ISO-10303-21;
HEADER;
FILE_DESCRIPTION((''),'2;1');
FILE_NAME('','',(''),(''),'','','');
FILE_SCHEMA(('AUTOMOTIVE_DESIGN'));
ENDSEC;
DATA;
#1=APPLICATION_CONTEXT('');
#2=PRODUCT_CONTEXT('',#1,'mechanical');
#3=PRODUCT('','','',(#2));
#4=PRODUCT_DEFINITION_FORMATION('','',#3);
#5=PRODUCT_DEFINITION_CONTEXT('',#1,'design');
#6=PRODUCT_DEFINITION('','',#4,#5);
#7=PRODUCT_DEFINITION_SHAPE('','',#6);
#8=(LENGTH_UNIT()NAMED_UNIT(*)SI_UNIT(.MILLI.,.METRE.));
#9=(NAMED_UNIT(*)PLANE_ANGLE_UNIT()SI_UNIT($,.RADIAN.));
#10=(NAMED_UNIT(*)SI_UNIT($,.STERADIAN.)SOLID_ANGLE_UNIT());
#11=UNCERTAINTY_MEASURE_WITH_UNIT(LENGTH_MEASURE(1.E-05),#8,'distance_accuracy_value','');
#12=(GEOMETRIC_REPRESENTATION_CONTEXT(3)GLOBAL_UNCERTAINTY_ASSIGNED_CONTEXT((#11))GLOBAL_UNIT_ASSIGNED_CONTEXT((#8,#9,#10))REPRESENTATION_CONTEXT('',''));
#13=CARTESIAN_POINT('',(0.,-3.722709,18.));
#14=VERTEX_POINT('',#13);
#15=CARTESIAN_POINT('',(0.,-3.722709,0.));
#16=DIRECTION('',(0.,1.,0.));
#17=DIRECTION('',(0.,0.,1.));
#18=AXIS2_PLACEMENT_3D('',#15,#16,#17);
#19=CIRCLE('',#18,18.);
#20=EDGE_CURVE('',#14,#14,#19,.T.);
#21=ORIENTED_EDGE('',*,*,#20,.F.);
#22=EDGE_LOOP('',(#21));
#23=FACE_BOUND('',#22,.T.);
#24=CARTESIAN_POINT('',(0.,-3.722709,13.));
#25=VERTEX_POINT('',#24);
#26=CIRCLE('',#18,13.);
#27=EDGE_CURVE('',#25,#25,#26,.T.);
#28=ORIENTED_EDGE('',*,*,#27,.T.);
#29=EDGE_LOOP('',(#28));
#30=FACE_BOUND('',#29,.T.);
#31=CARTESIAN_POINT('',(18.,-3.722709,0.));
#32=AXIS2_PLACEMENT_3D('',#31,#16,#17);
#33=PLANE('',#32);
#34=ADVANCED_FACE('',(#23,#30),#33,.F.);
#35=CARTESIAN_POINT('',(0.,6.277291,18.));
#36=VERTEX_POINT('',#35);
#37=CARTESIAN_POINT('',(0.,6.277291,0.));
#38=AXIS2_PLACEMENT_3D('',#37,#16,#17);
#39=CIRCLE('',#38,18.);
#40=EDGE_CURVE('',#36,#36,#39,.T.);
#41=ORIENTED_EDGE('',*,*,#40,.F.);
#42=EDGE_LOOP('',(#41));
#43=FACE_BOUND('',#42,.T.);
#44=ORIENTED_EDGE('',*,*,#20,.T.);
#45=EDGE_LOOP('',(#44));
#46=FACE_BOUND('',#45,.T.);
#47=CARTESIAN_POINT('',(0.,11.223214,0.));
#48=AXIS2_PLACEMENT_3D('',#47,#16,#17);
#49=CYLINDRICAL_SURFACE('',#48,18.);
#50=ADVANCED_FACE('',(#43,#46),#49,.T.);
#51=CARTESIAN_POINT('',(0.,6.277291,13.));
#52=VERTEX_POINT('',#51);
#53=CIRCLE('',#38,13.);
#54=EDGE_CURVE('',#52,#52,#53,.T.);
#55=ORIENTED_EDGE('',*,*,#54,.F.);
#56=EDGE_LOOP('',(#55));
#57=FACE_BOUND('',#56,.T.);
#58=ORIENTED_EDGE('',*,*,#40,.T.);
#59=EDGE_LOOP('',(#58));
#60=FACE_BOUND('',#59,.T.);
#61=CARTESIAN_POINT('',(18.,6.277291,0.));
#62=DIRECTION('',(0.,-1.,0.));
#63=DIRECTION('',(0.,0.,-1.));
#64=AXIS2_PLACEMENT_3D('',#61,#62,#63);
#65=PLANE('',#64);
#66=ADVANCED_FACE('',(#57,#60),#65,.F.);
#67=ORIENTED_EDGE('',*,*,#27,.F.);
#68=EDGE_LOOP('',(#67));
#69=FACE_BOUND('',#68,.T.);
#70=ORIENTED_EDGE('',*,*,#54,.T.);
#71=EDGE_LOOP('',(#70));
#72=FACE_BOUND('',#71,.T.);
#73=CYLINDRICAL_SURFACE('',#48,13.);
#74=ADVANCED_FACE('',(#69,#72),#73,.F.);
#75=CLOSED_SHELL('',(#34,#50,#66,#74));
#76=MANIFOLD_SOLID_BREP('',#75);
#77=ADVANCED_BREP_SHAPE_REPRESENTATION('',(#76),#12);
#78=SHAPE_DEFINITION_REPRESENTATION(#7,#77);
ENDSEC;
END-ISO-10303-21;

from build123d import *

# Parameters (mm, degrees)
SKETCH1_W = 5
SKETCH1_H = 10


with BuildPart() as part:
    # Sketch1 → Revolve1 (revolve)
    with BuildSketch(Plane.XY):
        with Locations((15.5, 1.277290873)):
            Rectangle(SKETCH1_W, SKETCH1_H)
    revolve(axis=Axis((0, 11.223214286, 0), (0, -1, 0)))


solid = part.part
